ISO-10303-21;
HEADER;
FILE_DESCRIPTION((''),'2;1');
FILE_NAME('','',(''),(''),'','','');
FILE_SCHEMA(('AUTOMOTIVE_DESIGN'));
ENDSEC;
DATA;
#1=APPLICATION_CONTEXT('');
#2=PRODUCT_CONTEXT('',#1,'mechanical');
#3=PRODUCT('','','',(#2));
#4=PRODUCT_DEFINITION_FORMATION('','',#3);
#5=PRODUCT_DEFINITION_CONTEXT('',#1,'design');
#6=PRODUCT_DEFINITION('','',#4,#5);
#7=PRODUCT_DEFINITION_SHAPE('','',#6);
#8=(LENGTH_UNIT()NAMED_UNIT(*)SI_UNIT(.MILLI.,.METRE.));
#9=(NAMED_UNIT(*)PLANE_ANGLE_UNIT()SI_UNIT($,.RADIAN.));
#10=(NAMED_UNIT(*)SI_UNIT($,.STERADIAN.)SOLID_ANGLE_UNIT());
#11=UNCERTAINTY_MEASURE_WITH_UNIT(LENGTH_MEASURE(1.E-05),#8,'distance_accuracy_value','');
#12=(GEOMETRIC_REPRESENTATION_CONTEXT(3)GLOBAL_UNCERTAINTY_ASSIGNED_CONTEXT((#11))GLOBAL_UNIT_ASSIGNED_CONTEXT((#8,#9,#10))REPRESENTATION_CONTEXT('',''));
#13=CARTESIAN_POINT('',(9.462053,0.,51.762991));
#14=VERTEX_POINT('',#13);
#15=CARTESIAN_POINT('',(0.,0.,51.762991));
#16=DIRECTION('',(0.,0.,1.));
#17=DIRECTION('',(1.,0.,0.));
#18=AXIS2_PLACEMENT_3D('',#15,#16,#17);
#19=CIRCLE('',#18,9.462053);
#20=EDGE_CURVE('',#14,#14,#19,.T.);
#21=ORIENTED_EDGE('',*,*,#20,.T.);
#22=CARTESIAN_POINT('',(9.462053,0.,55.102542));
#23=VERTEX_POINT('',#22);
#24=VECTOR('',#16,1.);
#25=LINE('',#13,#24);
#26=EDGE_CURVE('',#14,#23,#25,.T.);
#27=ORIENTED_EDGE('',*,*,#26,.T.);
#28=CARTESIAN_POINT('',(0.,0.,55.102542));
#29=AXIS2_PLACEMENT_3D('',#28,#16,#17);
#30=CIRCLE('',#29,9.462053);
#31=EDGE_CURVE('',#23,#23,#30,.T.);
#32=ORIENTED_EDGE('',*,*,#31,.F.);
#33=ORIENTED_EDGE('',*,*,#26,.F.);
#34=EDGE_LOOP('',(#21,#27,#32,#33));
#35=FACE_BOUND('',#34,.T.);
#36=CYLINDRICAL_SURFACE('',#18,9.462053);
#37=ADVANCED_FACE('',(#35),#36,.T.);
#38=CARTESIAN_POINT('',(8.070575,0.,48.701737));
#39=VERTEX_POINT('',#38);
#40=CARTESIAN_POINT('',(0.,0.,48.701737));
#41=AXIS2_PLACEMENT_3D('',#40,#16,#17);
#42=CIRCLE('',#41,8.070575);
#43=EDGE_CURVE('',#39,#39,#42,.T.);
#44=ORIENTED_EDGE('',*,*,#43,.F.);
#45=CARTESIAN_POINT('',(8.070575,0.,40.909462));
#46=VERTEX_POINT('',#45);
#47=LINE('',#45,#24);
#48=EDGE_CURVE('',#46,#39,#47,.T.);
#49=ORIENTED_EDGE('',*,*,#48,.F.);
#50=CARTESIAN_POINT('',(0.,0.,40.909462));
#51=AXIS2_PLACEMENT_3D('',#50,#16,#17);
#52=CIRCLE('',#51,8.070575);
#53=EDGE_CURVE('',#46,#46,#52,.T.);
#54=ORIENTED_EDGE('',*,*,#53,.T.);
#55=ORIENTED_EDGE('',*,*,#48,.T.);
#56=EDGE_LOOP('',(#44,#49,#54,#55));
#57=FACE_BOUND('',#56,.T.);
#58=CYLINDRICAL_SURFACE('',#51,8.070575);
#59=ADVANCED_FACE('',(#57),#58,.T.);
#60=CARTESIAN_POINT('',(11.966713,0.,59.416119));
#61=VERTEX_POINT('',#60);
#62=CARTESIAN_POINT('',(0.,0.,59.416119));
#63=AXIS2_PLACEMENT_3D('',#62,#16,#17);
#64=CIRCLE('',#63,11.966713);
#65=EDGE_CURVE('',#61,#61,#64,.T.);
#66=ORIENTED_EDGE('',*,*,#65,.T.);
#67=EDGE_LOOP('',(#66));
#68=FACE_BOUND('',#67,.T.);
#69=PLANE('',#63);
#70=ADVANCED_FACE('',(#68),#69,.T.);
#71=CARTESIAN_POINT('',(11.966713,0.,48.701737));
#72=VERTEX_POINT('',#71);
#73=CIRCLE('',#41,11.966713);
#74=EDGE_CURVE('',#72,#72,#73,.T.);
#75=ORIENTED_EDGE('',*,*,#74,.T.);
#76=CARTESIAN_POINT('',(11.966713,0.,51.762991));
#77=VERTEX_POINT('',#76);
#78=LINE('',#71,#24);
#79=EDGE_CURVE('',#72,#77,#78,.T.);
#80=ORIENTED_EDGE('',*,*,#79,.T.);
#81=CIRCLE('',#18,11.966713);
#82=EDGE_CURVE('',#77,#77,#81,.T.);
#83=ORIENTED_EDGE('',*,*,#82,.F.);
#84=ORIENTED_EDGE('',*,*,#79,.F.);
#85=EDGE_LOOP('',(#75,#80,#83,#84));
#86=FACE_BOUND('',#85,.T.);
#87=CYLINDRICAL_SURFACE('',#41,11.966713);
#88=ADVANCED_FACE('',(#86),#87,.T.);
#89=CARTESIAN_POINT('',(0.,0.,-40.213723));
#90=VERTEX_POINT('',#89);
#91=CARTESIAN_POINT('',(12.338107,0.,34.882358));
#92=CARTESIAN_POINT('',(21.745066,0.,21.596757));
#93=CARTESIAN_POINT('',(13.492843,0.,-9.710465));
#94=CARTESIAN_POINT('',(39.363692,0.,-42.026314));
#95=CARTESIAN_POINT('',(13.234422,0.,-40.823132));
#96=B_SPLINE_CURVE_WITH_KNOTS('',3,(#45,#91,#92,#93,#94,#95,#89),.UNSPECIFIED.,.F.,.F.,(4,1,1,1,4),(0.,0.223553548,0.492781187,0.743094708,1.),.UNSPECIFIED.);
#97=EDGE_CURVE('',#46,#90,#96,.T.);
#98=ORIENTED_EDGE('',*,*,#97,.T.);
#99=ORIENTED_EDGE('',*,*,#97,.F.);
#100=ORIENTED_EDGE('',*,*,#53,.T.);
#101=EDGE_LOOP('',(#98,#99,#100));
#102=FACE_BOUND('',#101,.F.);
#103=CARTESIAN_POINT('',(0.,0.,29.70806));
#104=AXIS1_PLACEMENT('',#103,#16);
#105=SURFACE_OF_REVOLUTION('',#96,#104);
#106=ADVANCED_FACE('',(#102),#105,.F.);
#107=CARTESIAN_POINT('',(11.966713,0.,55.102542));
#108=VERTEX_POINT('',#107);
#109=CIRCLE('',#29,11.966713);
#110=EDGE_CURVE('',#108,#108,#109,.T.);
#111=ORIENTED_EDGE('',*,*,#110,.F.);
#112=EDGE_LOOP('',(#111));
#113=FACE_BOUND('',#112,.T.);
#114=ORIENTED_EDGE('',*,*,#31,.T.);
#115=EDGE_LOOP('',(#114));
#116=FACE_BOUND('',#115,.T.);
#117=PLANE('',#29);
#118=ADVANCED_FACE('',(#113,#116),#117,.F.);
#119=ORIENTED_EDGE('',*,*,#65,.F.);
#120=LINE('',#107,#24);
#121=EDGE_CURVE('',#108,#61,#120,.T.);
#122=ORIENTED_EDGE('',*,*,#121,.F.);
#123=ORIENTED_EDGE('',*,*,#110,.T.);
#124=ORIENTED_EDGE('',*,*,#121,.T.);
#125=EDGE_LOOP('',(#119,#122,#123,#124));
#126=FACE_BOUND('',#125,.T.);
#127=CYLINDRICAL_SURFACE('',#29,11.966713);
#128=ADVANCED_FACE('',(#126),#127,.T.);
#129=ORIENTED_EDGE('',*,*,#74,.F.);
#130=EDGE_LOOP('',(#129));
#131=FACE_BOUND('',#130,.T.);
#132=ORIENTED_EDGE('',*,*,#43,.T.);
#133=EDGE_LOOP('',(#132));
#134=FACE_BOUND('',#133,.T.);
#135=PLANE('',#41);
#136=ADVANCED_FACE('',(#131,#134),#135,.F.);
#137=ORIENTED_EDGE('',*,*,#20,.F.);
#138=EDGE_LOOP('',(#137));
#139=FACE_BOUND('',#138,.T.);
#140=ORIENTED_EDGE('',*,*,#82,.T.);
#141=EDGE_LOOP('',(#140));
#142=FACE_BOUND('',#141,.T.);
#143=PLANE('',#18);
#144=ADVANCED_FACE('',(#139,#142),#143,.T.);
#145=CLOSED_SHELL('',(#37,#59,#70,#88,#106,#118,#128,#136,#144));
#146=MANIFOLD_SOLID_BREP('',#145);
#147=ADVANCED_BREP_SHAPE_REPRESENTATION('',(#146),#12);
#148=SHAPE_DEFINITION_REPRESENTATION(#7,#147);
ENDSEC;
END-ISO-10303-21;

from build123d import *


with BuildPart() as f1:
    # F0 (on Front) → F1 (revolve)
    with BuildSketch(Plane.XZ):
        with BuildLine():
            Line((0, 59.4161190093), (0, 0))
            Line((0, 0), (0, -40.2137227356))
            add(Edge.make_bspline(
                [(8.0705750734, 40.9094616771), (12.3381065867, 34.8823579952), (21.7450664028, 21.5967567132), (13.4928425513, -9.7104652768), (39.3636923179, -42.0263137452), (13.2344220099, -40.8231318876), (0, -40.2137227356)],
                knots=[0, 0, 0, 0, 0.2235535481, 0.4927811867, 0.7430947077, 1, 1, 1, 1], degree=3))
            Line((8.0705750734, 40.9094616771), (8.0705750734, 48.701737076))
            Line((8.0705750734, 48.701737076), (11.9667127728, 48.701737076))
            Line((11.9667127728, 48.701737076), (11.9667127728, 51.7629906535))
            Line((11.9667127728, 51.7629906535), (9.4620529562, 51.7629906535))
            Line((9.4620529562, 51.7629906535), (9.4620529562, 55.1025420427))
            Line((9.4620529562, 55.1025420427), (11.9667127728, 55.1025420427))
            Line((11.9667127728, 55.1025420427), (11.9667127728, 59.4161190093))
            Line((11.9667127728, 59.4161190093), (0, 59.4161190093))
        make_face()
    revolve(axis=Axis((0, 0, 29.7080595046), (0, 0, 1)))


solid = f1.part
